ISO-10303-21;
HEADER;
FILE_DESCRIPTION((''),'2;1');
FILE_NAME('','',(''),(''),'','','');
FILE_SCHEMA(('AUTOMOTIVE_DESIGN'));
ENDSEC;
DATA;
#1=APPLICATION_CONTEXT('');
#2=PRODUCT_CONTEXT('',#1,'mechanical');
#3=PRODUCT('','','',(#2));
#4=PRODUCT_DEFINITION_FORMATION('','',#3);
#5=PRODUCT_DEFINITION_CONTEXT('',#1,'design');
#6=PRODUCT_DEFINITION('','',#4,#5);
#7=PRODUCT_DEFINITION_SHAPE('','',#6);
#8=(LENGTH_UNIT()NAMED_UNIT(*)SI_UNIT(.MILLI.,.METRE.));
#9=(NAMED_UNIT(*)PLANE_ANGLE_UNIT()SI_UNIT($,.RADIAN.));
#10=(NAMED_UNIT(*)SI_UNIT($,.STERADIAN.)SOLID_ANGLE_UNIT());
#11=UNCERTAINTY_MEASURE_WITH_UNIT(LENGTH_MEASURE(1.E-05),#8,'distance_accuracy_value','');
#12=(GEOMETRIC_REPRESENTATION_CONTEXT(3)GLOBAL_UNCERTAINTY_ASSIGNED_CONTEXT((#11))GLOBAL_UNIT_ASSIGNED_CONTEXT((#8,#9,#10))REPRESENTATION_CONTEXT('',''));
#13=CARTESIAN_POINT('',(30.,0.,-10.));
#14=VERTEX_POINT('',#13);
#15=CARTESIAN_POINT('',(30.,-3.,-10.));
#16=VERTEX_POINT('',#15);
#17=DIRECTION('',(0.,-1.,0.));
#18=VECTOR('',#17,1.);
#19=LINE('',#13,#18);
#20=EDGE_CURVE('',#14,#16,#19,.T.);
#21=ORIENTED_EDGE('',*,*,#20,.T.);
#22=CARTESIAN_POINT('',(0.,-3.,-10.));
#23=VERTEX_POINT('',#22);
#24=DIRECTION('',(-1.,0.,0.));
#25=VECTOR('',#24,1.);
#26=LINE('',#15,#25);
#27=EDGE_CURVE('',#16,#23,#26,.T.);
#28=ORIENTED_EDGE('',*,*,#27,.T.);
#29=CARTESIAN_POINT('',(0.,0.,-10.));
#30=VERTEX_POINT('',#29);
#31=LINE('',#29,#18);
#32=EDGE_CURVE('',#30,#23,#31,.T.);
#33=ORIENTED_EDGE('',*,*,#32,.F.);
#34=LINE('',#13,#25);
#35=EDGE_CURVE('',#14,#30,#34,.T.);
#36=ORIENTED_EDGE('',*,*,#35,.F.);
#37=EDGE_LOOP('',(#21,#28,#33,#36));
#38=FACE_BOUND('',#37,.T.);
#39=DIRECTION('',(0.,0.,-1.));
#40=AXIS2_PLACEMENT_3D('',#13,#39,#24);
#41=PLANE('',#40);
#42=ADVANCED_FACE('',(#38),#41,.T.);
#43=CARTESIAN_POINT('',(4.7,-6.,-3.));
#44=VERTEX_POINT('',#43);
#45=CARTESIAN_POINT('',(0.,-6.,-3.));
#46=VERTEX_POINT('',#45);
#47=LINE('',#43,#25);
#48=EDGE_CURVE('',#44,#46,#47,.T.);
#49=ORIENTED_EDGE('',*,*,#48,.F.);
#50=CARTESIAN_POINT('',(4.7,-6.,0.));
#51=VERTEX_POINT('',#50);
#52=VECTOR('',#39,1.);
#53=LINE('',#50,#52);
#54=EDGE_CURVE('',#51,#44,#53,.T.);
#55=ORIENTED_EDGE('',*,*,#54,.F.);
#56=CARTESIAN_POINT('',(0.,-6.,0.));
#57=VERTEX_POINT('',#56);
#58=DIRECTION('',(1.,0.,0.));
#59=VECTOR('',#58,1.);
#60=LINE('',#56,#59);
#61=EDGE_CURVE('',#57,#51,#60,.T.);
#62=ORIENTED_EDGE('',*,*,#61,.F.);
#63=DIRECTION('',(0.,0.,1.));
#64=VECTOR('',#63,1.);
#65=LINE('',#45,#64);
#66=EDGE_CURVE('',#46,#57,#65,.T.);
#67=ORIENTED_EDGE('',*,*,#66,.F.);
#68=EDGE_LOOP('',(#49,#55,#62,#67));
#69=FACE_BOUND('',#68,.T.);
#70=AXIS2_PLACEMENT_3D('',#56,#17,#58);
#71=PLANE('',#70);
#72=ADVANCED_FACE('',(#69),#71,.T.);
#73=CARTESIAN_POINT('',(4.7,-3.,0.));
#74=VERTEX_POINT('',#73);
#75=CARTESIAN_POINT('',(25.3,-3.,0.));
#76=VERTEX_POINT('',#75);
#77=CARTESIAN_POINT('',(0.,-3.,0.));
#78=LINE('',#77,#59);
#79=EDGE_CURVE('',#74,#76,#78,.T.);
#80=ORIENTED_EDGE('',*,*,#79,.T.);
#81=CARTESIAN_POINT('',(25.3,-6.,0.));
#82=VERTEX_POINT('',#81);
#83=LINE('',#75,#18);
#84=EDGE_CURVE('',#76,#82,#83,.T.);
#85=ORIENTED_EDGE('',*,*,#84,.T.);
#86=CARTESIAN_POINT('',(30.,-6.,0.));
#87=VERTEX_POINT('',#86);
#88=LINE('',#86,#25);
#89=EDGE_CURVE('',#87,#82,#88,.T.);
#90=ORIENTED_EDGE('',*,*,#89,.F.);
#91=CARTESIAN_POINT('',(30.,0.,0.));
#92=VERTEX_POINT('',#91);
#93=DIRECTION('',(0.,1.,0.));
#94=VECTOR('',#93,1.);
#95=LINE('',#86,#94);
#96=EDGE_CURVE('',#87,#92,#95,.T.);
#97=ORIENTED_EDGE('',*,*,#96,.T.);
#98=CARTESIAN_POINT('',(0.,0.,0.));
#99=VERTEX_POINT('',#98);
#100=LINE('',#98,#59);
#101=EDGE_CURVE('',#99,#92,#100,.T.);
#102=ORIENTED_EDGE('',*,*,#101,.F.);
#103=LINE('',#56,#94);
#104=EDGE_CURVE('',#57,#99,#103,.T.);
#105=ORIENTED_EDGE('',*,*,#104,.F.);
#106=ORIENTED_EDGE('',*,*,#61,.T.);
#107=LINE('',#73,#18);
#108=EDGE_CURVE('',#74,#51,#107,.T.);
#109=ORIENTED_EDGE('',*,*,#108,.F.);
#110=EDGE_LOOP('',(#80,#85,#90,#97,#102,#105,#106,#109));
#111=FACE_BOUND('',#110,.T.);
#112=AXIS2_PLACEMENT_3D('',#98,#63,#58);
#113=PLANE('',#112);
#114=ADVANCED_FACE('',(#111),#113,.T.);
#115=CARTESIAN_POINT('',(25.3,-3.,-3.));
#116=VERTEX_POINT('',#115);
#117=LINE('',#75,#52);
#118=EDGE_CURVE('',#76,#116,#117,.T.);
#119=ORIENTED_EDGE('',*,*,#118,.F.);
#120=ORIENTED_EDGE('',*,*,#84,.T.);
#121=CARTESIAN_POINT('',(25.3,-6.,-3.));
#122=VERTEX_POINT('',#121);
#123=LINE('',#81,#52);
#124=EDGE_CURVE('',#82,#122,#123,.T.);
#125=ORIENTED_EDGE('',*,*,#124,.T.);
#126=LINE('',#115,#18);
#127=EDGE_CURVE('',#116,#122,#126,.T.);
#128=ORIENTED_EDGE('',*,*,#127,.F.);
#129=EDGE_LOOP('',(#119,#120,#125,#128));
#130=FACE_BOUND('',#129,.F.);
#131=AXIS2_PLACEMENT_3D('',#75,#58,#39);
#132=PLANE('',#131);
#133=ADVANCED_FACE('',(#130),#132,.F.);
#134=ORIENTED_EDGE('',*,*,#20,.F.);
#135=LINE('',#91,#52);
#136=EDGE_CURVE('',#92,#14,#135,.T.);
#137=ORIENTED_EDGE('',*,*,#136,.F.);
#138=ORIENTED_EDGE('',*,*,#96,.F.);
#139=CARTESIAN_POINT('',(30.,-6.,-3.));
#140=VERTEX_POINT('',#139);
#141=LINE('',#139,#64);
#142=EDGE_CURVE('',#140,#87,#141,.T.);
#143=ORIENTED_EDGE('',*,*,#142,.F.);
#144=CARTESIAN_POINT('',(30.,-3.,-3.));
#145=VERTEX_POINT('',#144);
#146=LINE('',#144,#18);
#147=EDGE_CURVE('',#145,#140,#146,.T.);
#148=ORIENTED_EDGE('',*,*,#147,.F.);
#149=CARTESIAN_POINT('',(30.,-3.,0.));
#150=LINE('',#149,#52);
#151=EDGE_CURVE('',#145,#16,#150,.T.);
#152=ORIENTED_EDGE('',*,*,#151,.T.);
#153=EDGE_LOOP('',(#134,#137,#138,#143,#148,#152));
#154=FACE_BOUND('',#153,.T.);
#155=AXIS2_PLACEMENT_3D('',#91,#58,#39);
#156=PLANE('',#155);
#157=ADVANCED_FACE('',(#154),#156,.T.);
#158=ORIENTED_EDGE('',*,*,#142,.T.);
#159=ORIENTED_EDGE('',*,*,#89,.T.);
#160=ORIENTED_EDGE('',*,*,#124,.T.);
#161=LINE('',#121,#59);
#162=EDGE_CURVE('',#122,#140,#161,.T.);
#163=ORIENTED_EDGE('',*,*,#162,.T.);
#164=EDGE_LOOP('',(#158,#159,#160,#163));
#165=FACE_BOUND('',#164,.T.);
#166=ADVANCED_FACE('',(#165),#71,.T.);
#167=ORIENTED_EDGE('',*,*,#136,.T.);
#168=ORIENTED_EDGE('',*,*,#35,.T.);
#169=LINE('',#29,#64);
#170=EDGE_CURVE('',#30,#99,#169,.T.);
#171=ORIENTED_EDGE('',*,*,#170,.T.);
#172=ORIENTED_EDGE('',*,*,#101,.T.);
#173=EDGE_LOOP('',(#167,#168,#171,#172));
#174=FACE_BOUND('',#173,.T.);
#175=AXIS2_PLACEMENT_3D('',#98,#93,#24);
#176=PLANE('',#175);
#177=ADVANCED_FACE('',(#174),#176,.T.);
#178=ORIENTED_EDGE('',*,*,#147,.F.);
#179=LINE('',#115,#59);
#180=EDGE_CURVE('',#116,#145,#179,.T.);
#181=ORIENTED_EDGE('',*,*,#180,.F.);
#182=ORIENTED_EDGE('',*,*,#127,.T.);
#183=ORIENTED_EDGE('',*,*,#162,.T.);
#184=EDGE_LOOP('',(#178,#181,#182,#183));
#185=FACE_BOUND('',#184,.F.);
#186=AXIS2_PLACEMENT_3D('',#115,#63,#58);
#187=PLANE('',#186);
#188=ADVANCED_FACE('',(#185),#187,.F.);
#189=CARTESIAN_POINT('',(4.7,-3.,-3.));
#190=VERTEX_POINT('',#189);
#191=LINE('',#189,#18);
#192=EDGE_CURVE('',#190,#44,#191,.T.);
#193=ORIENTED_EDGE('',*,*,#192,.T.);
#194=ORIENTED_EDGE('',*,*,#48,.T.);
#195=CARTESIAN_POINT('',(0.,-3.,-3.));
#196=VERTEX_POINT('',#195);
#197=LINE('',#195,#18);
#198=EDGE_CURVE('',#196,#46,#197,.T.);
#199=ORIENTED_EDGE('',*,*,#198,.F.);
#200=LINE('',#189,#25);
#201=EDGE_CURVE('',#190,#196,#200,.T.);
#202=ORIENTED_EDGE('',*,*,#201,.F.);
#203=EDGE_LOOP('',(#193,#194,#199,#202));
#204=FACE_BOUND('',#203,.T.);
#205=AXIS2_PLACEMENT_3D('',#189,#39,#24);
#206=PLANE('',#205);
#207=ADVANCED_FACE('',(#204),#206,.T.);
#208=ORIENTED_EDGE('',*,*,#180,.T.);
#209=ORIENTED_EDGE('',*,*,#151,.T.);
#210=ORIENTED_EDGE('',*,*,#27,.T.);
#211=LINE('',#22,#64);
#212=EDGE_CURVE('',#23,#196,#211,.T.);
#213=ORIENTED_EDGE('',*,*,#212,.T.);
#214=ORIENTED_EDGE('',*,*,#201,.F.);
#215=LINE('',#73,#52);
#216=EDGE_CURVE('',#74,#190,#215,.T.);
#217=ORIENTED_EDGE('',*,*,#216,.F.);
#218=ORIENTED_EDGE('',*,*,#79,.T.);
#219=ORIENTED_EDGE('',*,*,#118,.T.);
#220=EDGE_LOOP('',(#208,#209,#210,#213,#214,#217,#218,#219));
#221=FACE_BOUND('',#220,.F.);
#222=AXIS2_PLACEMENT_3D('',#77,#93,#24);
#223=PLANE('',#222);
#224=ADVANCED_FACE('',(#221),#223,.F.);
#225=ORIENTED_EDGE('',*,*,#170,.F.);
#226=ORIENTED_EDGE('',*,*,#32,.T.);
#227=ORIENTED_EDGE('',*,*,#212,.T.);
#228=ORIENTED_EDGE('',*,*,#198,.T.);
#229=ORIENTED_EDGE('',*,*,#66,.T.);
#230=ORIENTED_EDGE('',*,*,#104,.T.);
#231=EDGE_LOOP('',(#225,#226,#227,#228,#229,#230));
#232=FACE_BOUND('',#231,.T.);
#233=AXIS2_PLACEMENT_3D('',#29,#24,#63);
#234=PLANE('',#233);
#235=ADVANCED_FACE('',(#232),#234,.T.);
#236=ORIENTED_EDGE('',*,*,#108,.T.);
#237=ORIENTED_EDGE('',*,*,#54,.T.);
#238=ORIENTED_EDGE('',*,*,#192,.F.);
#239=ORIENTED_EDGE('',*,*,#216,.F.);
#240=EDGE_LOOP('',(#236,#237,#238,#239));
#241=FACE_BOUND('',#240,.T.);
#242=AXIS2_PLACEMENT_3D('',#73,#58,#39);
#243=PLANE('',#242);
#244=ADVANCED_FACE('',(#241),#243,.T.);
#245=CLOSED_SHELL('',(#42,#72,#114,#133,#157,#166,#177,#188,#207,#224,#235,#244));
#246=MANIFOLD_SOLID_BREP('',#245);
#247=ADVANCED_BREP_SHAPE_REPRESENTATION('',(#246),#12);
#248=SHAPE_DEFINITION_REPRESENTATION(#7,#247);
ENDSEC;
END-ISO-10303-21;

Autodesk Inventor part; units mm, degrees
ref_plane "YZ Plane" through (0, 0, 0) normal (1, 0, 0) x (0, 1, 0)
ref_plane "XZ Plane" through (0, 0, 0) normal (0, 1, 0) x (-1, 0, 0)
ref_plane "XY Plane" through (0, 0, 0) normal (0, 0, 1) x (1, 0, 0)
sketch "Sketch1" plane through (0, 0, 0) normal (0, 1, 0) x (-1, 0, 0)
  line L0 (0, 0) -> (-30, 0)
  line L1 (-30, 0) -> (-30, -10)
  line L2 (-30, -10) -> (0, -10)
  line L3 (0, -10) -> (0, 0)
  dimension "d0" = 30
  dimension "d1" = 10
extrude "Cuerpo" add sketch "Sketch1" against normal blind 3
sketch "Sketch2" plane through (0, -3, 0) normal (0, -1, 0) x (1, 0, 0)
  line L0 (30, 0) -> (25.3, 0)
  line L1 (25.3, 0) -> (25.3, -3)
  line L2 (25.3, -3) -> (30, -3)
  line L3 (30, -3) -> (30, 0)
  line L4 (0, 0) -> (4.7, 0)
  line L5 (4.7, 0) -> (4.7, -3)
  line L6 (4.7, -3) -> (0, -3)
  line L7 (0, -3) -> (0, 0)
  dimension "d4" = 4.7
  dimension "d5" = 3
  dimension "d6" = 3
  dimension "d7" = 4.7
extrude "Agarres" add sketch "Sketch2" along normal blind 3
equation "\"d0\" = hoja_ancho_total"
equation "\"d1\" = tirador_largo"
equation "\"d2\" = deslizador_alto"
equation "\"d4\" = hoja_stop_saliente - margen"
equation "\"d5\" = tirador_agarre_largo"
equation "\"d6\" = d5"
equation "\"d7\" = d4"
equation "\"d8\" = hoja_alto"
equation "\"base_alto\" = 3"
equation "\"hoja_alto\" = 3"
equation "\"hoja_cola_biselado\" = 1"
equation "\"hoja_filo_biselado\" = 0.5"
equation "\"hoja_stop_biselado\" = 2"
equation "\"hoja_stop_largo\" = 5"
equation "\"hoja_stop_posicion\" = 5"
equation "\"hoja_stop_saliente\" = 5"
equation "\"margen\" = 0.3"
equation "\"muros_grosor\" = 3"
equation "\"rail_alto\" = 1.5"
equation "\"rail_grosor\" = 5"
equation "\"hoja_ancho_total\" = 30"
equation "\"deslizador_soporte_ancho\" = 5"
equation "\"deslizador_soporte_alto\" = 4"
equation "\"deslizador_tope_alto\" = 5"
equation "\"deslizador_alto\" = 3"
equation "\"tirador_agarre_largo\" = 3"
equation "\"tirador_largo\" = 10"
equation "\"deslizador_interruptor_largo\" = 5"
equation "\"deslizador_saliente\" = 5"
equation "\"deslizador_largo\" = 144"
equation "\"deslizador_interruptor_ancho\" = 7"
equation "\"traba_largo\" = 39"
equation "\"traba_diametro_perforacion\" = 2"
equation "\"traba_diametro\" = 5"
equation "\"traba_alto\" = 4"
equation "\"traba_top_largo\" = 5"
equation "\"traba_top_alto\" = 3"
equation "\"traba_ancho\" = 3"
equation "\"base_separacion_agujeros\" = 4"
equation "\"base_agujeros_separacion\" = 3.5"
equation "\"base_agujeros_diametro\" = 2"
properties part number "Tirador"
